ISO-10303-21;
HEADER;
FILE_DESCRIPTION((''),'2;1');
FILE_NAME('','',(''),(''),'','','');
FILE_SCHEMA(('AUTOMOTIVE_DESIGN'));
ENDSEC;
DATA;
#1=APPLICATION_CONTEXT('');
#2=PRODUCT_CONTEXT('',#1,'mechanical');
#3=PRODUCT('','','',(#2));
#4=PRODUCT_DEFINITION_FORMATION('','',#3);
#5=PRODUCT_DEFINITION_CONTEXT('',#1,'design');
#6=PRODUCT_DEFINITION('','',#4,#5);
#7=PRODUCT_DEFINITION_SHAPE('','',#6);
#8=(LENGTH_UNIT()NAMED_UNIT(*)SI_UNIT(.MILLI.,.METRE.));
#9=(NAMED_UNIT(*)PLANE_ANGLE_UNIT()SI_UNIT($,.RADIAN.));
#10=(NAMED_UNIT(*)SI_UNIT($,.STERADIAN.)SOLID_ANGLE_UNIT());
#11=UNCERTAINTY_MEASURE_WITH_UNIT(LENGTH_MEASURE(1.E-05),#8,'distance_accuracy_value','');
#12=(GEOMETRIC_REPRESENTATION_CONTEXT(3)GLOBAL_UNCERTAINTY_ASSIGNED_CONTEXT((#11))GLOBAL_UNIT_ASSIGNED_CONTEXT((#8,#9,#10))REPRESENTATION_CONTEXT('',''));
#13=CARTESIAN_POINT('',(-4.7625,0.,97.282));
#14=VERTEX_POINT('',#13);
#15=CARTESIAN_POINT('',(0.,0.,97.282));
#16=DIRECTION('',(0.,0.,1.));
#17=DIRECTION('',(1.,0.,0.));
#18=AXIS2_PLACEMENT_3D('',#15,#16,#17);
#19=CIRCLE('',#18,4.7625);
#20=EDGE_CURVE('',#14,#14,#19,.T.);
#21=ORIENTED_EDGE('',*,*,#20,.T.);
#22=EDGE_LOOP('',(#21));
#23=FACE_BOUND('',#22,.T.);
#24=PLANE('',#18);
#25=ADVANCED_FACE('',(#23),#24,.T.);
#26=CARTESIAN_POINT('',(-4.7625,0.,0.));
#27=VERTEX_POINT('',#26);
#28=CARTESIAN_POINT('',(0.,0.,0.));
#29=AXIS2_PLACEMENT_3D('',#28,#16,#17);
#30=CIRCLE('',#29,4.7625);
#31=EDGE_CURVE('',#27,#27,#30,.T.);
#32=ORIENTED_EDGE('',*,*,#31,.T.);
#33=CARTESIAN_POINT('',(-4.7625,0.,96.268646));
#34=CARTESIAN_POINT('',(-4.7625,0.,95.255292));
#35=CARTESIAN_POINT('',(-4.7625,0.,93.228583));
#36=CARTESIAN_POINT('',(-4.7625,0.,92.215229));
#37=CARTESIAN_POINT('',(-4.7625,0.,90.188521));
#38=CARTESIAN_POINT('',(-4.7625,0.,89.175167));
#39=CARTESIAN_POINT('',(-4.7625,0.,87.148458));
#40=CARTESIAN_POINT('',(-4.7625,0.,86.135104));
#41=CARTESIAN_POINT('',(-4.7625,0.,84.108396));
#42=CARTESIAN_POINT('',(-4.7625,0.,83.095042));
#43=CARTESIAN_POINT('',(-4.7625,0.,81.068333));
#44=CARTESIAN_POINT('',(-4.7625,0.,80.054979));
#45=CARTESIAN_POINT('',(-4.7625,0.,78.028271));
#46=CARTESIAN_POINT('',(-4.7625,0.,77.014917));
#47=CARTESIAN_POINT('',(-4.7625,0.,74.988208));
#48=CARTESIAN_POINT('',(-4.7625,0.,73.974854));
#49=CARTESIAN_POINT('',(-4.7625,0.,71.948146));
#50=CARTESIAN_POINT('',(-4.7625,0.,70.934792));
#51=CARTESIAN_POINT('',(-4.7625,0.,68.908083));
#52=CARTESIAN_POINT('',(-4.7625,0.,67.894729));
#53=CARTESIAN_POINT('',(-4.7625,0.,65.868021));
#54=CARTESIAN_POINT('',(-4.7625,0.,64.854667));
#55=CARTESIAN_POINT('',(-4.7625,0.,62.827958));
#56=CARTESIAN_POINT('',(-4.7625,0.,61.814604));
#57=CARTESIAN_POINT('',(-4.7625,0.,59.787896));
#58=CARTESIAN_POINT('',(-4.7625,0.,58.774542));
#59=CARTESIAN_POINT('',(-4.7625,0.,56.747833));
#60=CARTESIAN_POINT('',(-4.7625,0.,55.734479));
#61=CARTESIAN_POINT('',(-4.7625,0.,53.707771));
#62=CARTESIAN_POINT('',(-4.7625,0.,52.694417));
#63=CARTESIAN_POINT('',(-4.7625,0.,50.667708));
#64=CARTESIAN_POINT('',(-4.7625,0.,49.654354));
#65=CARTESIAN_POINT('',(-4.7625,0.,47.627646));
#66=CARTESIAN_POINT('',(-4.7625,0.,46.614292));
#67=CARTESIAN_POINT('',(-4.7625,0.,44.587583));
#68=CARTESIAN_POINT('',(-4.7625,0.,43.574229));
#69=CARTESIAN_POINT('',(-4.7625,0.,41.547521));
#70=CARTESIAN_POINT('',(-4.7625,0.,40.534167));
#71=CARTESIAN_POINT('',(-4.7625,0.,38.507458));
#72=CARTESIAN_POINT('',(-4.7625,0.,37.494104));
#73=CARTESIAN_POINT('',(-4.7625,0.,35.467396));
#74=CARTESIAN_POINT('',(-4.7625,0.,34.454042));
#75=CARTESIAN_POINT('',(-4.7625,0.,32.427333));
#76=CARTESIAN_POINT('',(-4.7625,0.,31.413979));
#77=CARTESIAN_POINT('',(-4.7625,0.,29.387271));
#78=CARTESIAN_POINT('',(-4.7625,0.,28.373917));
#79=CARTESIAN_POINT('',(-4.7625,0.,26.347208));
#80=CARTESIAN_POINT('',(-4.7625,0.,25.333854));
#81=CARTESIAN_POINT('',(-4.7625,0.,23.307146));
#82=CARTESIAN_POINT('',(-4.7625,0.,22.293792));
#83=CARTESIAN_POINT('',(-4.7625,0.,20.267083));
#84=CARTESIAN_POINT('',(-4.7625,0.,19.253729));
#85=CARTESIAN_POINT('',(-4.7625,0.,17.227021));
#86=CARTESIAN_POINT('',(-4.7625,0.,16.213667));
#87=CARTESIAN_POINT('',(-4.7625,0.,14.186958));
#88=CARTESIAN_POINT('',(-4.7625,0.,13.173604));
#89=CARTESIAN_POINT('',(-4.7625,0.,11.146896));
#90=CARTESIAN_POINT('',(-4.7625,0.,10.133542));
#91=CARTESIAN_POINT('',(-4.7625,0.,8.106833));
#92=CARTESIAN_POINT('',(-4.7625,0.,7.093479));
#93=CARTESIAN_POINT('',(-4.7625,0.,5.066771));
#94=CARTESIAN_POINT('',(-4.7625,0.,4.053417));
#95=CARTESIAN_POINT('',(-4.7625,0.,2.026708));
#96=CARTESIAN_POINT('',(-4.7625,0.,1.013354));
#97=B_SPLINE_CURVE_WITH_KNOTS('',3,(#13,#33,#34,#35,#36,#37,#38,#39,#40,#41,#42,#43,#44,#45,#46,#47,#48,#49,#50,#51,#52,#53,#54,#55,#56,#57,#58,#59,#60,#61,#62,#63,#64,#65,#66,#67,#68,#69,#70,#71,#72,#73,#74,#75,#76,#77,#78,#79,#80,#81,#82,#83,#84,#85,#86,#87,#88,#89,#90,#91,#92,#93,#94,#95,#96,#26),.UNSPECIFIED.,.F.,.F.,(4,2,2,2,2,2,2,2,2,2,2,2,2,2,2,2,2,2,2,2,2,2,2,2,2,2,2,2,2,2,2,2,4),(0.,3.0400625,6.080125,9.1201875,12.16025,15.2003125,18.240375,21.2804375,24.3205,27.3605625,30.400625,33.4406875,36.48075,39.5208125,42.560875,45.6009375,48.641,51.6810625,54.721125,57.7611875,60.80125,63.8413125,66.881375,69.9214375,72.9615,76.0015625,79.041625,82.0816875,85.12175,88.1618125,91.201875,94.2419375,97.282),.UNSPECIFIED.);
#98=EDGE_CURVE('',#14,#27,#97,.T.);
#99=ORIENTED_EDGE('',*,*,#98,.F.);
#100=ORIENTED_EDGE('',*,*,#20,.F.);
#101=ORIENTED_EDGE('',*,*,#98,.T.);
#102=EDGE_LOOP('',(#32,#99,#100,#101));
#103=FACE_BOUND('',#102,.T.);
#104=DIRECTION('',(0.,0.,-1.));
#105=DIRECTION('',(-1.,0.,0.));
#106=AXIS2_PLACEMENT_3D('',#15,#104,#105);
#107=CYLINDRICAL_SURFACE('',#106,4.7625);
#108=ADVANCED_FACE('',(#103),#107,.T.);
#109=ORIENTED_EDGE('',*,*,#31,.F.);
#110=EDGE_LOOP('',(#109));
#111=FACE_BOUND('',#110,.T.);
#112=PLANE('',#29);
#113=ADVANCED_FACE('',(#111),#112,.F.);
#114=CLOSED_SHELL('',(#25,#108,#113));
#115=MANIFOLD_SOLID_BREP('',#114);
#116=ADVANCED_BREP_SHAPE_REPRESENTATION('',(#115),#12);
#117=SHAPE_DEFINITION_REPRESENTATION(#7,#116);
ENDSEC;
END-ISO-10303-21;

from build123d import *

# Parameters (mm, degrees)
SKETCH1_R           = 4.7625
BOSS_EXTRUDE1_DEPTH = 97.282


with BuildPart() as part:
    # Sketch1 → Boss-Extrude1 (new body)
    with BuildSketch(Plane.XY):
        with Locations(Location((0, 0, 0), (0, 0, 180))):
            Circle(SKETCH1_R)
    extrude(amount=BOSS_EXTRUDE1_DEPTH)


solid = part.part
